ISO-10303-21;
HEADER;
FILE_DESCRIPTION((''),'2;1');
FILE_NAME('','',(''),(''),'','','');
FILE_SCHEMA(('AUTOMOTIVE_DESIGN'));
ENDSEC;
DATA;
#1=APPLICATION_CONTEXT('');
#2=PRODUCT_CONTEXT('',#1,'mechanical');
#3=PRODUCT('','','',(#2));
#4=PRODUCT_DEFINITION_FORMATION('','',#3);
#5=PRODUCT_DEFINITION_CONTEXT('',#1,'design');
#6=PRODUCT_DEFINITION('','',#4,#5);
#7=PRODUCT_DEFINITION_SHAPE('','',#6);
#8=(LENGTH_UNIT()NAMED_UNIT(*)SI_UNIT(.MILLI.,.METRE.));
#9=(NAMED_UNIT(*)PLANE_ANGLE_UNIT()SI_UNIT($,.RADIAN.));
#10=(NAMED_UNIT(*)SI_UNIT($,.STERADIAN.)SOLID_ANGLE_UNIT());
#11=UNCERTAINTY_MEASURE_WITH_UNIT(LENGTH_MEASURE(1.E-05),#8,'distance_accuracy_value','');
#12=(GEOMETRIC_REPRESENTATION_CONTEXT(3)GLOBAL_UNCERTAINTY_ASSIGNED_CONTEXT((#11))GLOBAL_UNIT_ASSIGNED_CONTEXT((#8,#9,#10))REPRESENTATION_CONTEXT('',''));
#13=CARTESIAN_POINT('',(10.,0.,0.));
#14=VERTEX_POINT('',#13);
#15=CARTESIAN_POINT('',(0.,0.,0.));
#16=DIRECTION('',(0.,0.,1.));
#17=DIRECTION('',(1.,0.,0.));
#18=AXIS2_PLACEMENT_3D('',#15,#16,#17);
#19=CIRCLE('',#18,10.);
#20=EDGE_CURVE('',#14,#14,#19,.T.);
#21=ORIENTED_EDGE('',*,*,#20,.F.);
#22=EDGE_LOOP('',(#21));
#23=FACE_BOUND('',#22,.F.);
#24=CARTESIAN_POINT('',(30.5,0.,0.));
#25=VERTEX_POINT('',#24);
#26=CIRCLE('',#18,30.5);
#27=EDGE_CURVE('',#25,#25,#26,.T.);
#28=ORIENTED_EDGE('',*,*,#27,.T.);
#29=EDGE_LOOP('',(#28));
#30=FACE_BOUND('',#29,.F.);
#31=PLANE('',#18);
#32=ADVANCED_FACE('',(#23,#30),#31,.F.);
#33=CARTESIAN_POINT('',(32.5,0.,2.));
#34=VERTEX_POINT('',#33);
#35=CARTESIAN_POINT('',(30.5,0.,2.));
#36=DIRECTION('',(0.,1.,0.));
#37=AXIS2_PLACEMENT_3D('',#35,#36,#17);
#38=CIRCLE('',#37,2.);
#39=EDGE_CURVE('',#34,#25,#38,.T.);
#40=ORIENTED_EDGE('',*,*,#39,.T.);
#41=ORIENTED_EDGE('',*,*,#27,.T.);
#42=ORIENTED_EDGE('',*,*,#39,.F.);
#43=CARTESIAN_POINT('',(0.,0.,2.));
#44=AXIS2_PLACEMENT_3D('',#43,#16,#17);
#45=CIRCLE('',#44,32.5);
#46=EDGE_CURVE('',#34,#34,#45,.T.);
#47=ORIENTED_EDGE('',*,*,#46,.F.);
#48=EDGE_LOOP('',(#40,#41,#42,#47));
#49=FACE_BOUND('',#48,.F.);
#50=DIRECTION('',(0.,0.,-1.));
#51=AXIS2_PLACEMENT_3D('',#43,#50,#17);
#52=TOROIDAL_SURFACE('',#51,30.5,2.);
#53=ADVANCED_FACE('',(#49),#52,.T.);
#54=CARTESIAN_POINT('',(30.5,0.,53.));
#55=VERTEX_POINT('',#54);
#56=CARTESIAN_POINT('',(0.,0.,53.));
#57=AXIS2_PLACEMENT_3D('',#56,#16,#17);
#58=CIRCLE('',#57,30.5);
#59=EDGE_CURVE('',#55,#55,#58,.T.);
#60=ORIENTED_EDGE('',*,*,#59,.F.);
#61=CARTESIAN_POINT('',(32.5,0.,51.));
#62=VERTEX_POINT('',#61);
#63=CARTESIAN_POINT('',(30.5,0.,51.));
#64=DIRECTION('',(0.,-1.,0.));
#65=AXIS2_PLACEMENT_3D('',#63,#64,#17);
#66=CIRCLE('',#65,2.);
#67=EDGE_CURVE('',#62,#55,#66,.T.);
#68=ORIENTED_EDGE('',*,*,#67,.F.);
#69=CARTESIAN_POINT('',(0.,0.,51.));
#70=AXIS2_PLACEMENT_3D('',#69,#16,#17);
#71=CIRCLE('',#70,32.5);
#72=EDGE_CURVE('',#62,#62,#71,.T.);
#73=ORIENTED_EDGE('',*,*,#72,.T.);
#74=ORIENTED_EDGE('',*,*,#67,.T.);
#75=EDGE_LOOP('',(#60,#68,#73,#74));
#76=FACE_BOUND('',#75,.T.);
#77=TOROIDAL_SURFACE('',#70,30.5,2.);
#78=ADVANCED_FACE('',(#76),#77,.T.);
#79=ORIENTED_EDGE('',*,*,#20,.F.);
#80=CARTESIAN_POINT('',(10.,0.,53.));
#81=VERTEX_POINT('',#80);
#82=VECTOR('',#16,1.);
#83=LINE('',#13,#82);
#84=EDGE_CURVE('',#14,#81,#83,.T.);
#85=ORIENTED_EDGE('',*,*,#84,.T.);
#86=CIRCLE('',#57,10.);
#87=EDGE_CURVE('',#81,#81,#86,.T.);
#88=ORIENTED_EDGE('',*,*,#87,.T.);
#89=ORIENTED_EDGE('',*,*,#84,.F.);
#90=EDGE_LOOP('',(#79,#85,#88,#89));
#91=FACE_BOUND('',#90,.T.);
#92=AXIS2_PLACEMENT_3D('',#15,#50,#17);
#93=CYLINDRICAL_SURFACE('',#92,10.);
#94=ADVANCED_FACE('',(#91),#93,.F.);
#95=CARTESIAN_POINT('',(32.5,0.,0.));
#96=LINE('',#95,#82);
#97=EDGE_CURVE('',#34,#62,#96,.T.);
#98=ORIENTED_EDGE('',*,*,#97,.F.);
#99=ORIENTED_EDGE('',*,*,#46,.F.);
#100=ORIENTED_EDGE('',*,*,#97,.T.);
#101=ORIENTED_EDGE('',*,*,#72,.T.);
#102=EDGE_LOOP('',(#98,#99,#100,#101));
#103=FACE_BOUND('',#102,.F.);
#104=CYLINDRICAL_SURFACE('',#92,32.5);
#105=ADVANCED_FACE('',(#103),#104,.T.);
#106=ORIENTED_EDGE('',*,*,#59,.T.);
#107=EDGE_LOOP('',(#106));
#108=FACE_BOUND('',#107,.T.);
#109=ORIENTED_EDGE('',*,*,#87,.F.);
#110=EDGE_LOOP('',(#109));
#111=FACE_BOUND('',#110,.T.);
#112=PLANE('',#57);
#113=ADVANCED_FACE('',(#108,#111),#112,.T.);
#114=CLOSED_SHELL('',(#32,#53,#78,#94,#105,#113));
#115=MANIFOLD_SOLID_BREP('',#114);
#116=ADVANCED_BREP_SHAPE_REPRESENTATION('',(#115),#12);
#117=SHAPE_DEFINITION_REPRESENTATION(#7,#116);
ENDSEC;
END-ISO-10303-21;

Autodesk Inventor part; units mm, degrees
ref_plane "YZ Plane" through (0, 0, 0) normal (1, 0, 0) x (0, 1, 0)
ref_plane "XZ Plane" through (0, 0, 0) normal (0, 1, 0) x (-1, 0, 0)
ref_plane "XY Plane" through (0, 0, 0) normal (0, 0, 1) x (1, 0, 0)
sketch "Sketch1" plane through (0, 0, 0) normal (0, 0, 1) x (1, 0, 0)
  circle A0 centre (0, 0) radius 32.5
  circle A1 centre (0, 0) radius 10
  dimension "d0" = 65
  dimension "d1" = 20
extrude "Extrusion1" add sketch "Sketch1" along normal blind 53
fillet "Fillet1" radius 2 2 edges at (-32.5, 0, 53) (-32.5, 0, 0)
properties part number "ROLLER" material "Rubber"
